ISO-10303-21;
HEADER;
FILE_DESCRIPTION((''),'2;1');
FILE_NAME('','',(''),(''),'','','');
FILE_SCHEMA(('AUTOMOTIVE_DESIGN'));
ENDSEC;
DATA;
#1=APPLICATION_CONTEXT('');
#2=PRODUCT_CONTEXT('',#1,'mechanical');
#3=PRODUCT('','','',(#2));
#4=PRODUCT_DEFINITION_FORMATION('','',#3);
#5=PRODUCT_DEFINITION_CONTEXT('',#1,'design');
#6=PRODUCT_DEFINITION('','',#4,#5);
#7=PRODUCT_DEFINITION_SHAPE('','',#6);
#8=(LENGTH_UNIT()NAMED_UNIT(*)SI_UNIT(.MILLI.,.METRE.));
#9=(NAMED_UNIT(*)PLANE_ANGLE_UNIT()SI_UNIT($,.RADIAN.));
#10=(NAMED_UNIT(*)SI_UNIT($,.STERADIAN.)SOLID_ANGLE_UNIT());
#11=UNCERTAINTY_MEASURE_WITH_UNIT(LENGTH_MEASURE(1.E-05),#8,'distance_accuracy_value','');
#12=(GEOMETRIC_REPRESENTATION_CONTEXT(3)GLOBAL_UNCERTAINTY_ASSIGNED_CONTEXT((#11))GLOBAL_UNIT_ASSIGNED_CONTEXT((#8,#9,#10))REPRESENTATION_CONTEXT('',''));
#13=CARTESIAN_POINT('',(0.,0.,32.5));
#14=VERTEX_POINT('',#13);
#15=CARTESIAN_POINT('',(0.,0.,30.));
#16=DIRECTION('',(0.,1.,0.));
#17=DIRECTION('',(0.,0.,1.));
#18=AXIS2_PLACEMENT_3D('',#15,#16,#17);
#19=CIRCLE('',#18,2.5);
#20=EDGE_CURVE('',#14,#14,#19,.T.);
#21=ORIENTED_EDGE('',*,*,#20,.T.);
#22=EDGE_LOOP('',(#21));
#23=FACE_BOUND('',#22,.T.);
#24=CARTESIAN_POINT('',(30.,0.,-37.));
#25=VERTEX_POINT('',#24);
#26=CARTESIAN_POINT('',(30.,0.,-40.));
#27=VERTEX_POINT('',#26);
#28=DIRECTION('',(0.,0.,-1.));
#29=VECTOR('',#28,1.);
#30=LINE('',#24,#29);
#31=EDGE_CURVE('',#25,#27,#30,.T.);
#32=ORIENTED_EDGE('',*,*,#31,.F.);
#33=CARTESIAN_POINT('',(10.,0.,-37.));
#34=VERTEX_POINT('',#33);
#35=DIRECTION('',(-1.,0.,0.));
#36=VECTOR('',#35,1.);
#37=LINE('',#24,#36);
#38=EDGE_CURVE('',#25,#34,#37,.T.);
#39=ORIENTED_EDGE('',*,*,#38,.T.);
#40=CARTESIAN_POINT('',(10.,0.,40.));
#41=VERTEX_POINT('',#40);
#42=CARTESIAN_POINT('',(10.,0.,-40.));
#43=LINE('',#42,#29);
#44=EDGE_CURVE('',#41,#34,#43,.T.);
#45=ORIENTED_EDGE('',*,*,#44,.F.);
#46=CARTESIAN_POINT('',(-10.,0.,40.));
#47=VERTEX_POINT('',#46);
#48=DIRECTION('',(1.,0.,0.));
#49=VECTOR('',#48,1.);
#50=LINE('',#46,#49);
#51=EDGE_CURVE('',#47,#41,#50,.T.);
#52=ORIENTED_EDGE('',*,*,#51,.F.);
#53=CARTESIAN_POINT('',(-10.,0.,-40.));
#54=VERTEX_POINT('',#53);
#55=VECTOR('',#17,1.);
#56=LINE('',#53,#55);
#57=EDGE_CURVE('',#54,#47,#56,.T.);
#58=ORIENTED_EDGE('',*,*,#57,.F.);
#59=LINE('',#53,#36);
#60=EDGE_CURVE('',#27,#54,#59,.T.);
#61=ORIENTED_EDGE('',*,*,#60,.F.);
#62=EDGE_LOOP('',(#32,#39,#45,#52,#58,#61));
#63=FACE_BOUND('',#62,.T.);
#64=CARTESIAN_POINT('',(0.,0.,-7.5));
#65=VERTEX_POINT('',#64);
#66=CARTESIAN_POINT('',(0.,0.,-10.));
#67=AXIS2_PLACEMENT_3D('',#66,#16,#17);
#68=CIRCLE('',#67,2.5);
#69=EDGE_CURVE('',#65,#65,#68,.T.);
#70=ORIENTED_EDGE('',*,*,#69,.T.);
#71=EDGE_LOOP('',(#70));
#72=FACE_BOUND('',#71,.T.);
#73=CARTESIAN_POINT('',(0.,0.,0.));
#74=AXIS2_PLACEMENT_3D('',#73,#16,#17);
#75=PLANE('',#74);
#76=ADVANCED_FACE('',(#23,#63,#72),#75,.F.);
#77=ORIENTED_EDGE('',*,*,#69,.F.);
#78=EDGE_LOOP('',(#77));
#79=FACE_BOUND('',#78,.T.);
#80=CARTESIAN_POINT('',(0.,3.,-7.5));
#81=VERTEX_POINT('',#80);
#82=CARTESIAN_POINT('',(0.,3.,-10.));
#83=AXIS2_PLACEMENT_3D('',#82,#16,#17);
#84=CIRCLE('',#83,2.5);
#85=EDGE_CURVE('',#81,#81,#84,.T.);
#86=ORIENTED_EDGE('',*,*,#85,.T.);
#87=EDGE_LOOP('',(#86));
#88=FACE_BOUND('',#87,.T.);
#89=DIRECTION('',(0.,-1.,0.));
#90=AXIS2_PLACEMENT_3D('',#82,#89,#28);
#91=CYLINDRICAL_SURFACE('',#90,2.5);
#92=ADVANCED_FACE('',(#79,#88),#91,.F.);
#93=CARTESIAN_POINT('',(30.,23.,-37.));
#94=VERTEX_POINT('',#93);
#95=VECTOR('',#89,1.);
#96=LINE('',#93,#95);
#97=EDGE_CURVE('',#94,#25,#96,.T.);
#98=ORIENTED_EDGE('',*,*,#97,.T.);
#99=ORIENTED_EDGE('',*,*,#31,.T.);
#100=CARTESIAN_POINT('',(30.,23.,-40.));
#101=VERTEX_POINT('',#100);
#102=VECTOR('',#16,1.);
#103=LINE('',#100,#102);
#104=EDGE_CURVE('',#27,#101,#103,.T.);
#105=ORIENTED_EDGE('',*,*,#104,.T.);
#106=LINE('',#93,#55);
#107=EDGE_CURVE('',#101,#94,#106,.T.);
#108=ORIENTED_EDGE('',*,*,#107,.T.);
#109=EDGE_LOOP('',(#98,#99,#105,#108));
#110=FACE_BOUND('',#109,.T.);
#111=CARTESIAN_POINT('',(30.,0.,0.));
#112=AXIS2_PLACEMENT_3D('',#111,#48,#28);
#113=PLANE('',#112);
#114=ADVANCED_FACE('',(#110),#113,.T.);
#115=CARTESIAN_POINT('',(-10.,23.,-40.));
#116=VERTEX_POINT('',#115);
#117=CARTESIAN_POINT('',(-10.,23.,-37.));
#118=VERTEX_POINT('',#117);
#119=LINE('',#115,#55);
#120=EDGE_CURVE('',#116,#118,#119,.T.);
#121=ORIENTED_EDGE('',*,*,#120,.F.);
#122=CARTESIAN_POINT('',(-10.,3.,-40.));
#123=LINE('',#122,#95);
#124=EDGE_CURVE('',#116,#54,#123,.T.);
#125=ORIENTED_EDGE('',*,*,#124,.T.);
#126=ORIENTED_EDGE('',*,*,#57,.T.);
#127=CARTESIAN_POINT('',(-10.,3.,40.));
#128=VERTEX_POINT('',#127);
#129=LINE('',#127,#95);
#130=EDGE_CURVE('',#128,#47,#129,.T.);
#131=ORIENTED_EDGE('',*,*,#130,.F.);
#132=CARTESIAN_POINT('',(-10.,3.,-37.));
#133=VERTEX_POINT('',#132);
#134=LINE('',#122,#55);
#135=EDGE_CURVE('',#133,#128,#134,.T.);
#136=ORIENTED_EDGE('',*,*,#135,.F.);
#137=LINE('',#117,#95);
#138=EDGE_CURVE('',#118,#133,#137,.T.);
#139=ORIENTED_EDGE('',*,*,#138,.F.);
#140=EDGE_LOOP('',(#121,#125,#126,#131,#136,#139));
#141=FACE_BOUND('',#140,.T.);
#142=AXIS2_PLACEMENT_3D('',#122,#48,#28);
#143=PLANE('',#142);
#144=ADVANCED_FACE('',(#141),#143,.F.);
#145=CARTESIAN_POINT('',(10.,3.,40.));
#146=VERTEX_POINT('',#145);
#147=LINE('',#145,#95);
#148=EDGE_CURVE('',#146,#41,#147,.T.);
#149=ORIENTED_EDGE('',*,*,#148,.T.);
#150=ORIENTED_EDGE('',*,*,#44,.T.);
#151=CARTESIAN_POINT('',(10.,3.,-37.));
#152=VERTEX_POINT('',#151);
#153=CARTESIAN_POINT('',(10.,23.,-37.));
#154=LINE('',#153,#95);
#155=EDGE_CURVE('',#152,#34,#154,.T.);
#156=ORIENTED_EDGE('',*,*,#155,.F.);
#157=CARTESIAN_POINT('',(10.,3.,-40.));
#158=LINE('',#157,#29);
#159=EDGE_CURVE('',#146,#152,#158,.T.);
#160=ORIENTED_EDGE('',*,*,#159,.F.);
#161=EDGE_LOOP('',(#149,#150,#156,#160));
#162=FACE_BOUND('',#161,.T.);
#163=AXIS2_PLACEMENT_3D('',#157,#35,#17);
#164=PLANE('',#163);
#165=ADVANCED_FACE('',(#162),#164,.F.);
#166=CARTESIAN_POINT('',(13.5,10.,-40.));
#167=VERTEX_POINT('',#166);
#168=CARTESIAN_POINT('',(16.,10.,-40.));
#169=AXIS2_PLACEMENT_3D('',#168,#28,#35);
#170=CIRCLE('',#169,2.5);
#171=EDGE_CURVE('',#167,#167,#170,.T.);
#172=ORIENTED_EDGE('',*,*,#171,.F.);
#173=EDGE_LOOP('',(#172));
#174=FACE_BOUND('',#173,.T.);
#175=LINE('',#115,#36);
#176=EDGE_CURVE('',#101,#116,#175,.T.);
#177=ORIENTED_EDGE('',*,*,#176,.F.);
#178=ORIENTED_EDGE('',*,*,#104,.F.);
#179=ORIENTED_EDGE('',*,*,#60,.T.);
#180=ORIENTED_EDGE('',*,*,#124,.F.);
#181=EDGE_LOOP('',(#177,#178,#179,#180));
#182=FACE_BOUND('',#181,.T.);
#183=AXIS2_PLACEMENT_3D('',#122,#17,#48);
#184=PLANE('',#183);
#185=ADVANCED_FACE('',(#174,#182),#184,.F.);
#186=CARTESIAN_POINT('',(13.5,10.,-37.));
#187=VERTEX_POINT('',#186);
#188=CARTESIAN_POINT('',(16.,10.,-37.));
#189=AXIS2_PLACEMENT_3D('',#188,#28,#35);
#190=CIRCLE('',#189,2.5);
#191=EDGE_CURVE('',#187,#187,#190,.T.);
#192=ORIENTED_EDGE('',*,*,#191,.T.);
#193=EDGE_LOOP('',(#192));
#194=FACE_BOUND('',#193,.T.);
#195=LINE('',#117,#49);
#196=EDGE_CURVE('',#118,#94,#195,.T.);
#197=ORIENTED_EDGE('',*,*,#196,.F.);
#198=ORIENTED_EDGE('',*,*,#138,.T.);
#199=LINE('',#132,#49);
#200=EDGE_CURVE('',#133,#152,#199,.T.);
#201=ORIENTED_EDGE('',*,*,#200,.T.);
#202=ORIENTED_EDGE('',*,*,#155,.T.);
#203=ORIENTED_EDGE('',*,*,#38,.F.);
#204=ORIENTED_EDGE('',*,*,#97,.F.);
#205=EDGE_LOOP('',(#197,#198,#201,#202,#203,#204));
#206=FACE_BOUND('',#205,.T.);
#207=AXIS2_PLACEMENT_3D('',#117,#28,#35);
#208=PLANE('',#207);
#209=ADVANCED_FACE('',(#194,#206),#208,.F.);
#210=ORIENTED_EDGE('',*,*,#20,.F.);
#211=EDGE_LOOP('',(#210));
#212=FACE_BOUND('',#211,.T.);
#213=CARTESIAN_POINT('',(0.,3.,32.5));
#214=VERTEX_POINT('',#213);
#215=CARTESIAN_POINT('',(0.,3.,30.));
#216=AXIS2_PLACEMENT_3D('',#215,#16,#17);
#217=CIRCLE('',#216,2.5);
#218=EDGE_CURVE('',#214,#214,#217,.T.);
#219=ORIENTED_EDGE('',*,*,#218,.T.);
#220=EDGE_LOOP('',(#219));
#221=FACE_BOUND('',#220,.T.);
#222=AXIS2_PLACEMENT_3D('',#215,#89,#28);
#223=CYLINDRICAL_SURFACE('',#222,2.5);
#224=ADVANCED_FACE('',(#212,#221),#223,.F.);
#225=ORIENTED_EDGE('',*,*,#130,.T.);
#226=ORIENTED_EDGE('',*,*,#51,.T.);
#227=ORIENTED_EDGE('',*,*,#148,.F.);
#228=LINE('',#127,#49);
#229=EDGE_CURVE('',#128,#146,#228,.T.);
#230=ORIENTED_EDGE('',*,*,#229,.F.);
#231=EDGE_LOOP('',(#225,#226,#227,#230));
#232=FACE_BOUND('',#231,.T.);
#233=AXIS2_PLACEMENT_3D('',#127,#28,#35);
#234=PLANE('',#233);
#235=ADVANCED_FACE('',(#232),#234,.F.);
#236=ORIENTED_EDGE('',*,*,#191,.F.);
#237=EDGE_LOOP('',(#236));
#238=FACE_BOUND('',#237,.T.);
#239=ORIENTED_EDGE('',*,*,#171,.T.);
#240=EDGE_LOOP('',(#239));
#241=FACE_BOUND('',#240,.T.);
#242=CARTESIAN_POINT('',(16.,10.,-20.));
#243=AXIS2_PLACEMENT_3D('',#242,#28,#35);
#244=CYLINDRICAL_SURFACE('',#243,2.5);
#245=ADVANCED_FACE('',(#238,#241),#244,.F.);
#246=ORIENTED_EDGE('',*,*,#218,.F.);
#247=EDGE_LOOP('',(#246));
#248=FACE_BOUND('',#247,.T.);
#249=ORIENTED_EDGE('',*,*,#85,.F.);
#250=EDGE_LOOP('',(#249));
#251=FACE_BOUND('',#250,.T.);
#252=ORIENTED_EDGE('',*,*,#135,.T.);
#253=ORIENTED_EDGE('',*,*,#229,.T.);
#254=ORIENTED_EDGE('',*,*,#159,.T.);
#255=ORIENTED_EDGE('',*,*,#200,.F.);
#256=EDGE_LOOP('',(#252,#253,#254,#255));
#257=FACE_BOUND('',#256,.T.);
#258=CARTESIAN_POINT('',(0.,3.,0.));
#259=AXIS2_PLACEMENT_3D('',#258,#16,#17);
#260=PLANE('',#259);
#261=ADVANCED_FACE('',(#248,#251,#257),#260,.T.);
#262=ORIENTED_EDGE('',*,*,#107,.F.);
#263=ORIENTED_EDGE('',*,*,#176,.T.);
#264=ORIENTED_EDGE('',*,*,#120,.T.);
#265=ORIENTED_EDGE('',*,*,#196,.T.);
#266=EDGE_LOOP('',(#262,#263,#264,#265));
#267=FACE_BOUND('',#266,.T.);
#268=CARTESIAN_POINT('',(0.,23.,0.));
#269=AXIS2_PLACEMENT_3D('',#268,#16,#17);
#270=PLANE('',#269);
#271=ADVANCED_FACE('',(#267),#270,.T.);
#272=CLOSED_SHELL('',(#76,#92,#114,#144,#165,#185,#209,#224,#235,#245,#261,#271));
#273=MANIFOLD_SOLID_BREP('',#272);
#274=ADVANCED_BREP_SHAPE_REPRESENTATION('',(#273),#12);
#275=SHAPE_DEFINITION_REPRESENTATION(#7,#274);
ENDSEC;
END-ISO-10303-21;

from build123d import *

# Parameters (mm, degrees)
SKETCH1_W           = 20
SKETCH1_H           = 80
SKETCH1_R           = 2.5
BOSS_EXTRUDE1_DEPTH = 3
SKETCH2_W           = 20
SKETCH2_H           = 3
BOSS_EXTRUDE2_DEPTH = 20
SKETCH8_W           = 3
SKETCH8_H           = 23
BOSS_EXTRUDE5_DEPTH = 20
SKETCH9_R           = 2.5
CUT_EXTRUDE3_DEPTH  = 20


with BuildPart() as part:
    # Sketch1 → Boss-Extrude1 (new body)
    with BuildSketch(Plane(origin=(0, 0, 0), x_dir=(1, 0, 0), z_dir=(0, 1, 0))):
        Rectangle(SKETCH1_W, SKETCH1_H)
        with Locations((0, -30)):
            Circle(SKETCH1_R, mode=Mode.SUBTRACT)
        with Locations((0, 10)):
            Circle(SKETCH1_R, mode=Mode.SUBTRACT)
    extrude(amount=BOSS_EXTRUDE1_DEPTH)

    # Sketch2 → Boss-Extrude2 (add)
    with BuildSketch(Plane(origin=(0, 3, 0), x_dir=(1, 0, 0), z_dir=(0, 1, 0))):
        with Locations((0, 38.5)):
            Rectangle(SKETCH2_W, SKETCH2_H)
    extrude(amount=BOSS_EXTRUDE2_DEPTH)

    # Sketch8 → Boss-Extrude5 (add)
    with BuildSketch(Plane(origin=(10, 0, 0), x_dir=(0, 0, -1), z_dir=(1, 0, 0))):
        with Locations((38.5, 11.5)):
            Rectangle(SKETCH8_W, SKETCH8_H)
    extrude(amount=BOSS_EXTRUDE5_DEPTH)

    # Sketch9 → Cut-Extrude3 (cut)
    with BuildSketch(Plane(origin=(0, 0, -40), x_dir=(-1, 0, 0), z_dir=(0, 0, -1))):
        with Locations((-16, 10)):
            Circle(SKETCH9_R)
    extrude(amount=-CUT_EXTRUDE3_DEPTH, mode=Mode.SUBTRACT)


solid = part.part
